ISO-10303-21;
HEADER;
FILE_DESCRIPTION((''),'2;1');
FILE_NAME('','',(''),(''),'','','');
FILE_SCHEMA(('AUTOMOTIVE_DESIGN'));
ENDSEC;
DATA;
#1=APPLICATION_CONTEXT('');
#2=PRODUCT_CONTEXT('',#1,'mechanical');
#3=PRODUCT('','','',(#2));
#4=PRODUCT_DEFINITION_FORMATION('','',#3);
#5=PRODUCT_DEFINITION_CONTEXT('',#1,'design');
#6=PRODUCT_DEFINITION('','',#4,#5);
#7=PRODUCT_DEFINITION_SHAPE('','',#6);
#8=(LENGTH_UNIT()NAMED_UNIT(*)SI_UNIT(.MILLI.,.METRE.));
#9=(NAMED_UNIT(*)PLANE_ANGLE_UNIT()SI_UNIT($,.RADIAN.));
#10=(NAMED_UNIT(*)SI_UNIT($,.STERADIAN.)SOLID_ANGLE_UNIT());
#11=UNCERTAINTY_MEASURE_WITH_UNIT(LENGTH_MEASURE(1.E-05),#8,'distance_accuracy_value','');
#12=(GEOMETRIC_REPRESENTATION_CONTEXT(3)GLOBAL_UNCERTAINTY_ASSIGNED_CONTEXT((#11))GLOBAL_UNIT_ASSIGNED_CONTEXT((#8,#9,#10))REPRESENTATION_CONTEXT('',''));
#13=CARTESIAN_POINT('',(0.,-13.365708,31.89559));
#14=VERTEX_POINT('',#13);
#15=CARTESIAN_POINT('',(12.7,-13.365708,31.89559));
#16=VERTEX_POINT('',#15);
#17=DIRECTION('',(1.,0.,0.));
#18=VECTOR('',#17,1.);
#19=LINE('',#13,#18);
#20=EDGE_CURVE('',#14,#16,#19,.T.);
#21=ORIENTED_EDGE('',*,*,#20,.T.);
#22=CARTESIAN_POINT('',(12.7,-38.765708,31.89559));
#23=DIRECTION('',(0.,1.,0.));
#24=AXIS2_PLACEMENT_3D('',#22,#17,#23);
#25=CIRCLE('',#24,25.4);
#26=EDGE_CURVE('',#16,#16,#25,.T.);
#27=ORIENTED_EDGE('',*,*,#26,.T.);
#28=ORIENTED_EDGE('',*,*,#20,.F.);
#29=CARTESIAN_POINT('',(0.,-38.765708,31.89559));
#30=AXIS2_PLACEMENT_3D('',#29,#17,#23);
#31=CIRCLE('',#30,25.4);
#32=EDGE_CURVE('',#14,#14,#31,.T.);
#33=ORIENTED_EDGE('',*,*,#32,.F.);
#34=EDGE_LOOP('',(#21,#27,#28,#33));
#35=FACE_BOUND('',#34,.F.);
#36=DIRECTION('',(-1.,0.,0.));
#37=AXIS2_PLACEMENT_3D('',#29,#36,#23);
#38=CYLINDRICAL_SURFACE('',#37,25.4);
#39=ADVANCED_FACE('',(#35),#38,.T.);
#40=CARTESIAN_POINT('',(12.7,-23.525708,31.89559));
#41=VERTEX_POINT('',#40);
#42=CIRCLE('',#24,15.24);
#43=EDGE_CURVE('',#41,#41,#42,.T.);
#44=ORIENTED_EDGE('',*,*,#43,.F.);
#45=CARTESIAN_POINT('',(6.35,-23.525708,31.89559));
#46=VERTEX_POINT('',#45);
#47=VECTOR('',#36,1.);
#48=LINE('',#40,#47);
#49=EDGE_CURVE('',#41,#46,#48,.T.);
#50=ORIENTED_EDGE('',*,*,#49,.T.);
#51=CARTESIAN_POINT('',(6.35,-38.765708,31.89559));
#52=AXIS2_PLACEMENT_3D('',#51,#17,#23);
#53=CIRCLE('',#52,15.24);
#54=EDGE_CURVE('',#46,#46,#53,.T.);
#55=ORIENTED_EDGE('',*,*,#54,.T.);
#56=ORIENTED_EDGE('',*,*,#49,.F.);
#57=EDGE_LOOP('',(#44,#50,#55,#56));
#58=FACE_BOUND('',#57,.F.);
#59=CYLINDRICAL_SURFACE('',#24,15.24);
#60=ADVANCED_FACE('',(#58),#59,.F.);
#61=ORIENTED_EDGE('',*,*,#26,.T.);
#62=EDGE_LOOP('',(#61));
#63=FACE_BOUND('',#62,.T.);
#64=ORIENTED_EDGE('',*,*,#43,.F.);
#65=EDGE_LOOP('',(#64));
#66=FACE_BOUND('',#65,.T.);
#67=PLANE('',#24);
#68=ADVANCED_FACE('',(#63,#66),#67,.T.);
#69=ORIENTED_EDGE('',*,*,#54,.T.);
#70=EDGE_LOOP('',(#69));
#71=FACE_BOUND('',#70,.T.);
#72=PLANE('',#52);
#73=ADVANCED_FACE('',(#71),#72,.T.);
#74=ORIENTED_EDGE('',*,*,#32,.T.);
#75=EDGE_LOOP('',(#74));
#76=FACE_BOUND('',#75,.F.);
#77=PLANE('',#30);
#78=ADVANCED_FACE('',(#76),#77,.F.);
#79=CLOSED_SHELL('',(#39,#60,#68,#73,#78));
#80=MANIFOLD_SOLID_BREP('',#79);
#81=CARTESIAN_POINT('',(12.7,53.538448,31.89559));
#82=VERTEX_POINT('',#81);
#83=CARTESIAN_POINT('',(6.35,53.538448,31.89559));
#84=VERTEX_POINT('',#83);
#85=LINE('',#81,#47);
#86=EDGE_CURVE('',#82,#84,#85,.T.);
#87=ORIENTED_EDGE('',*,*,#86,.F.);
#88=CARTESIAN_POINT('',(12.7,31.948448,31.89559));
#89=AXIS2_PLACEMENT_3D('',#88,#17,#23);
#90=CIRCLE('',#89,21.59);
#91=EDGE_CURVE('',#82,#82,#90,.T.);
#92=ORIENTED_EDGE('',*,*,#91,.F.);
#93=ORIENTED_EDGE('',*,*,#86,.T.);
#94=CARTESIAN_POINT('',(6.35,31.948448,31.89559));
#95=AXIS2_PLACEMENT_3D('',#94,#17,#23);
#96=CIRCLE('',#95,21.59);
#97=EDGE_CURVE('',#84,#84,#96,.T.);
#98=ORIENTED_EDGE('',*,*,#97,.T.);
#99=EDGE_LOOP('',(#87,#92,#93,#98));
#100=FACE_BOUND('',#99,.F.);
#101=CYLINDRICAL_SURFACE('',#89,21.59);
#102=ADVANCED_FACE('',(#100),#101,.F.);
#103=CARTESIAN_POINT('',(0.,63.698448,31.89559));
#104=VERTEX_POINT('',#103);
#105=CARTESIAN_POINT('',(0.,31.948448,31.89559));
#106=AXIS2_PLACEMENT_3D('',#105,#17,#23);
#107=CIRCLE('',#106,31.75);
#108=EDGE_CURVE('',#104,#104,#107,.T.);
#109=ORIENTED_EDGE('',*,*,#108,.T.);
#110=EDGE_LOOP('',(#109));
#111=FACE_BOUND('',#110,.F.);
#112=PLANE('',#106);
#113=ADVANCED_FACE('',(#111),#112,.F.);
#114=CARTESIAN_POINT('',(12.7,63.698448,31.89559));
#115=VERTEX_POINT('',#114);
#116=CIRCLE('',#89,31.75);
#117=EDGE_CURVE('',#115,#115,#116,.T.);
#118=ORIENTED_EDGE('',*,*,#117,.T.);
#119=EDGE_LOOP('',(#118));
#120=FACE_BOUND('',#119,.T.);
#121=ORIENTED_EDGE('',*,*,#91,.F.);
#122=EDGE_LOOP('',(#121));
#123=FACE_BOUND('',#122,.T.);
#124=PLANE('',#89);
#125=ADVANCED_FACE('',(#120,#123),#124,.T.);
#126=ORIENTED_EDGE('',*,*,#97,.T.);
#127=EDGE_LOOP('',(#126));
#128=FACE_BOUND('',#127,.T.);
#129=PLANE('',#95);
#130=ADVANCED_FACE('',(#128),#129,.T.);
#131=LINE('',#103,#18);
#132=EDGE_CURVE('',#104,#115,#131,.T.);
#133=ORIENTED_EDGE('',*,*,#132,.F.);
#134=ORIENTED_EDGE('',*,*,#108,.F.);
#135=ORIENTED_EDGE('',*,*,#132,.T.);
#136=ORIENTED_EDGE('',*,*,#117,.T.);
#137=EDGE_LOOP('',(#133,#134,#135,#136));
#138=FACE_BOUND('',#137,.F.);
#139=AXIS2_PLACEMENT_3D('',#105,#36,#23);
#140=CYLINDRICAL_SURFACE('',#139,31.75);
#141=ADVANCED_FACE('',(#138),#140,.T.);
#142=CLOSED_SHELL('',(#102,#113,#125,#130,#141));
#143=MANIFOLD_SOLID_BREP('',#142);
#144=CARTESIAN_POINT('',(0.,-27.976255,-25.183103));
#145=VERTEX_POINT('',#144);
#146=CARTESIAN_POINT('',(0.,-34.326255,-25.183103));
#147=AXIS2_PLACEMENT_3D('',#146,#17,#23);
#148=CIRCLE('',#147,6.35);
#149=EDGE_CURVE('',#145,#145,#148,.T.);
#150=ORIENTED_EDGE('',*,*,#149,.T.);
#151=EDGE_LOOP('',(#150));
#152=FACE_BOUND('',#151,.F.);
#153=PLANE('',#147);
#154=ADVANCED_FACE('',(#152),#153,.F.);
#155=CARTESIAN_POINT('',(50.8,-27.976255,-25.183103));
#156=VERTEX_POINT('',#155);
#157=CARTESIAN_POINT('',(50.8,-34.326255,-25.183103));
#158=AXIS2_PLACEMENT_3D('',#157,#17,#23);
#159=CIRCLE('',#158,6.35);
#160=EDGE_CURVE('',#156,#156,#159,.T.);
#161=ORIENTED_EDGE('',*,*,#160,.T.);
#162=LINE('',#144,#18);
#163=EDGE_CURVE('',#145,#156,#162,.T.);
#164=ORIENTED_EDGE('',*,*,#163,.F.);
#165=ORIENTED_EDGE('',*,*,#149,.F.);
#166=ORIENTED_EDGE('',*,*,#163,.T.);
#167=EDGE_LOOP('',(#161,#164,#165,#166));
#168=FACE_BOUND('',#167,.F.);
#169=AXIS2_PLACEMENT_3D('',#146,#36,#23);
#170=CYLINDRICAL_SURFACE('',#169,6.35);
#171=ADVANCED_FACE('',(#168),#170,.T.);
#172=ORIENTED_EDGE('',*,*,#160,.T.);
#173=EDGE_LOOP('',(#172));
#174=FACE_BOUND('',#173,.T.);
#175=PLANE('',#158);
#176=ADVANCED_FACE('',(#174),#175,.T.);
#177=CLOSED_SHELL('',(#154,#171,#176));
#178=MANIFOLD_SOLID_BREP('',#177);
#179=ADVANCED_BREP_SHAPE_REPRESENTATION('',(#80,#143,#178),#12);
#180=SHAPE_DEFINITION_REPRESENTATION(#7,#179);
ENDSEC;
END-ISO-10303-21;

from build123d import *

# Parameters (mm, degrees)
F0_R     = 6.35
F1_DEPTH = 50.8
F0_R_2   = 25.4
F0_R_3   = 31.75
F2_DEPTH = 12.7
F3_R     = 15.24
F4_R     = 21.59
F5_DEPTH = 6.35


with BuildPart() as f1:
    # F0 (on Right) → F1 (new body)
    with BuildSketch(Plane.YZ):
        with Locations((-34.326255, -25.183103)):
            Circle(F0_R)
    extrude(amount=F1_DEPTH)


with BuildPart() as f2:
    # F0 (on Right) → F2 (new body)
    with BuildSketch(Plane.YZ):
        with Locations((-38.765708, 31.89559)):
            Circle(F0_R_2)
        with Locations((31.948448, 31.89559)):
            Circle(F0_R_3)
    extrude(amount=F2_DEPTH)

    # F3 (on face) + F4 (on face) → F5 (cut)
    with BuildSketch(Plane.YZ.offset(12.7)):
        with Locations((-38.765708, 31.89559)):
            Circle(F3_R)
    with BuildSketch(Plane.YZ.offset(12.7)):
        with Locations((31.948448, 31.89559)):
            Circle(F4_R)
    extrude(amount=-F5_DEPTH, mode=Mode.SUBTRACT)


solid = Compound([f1.part, f2.part])
